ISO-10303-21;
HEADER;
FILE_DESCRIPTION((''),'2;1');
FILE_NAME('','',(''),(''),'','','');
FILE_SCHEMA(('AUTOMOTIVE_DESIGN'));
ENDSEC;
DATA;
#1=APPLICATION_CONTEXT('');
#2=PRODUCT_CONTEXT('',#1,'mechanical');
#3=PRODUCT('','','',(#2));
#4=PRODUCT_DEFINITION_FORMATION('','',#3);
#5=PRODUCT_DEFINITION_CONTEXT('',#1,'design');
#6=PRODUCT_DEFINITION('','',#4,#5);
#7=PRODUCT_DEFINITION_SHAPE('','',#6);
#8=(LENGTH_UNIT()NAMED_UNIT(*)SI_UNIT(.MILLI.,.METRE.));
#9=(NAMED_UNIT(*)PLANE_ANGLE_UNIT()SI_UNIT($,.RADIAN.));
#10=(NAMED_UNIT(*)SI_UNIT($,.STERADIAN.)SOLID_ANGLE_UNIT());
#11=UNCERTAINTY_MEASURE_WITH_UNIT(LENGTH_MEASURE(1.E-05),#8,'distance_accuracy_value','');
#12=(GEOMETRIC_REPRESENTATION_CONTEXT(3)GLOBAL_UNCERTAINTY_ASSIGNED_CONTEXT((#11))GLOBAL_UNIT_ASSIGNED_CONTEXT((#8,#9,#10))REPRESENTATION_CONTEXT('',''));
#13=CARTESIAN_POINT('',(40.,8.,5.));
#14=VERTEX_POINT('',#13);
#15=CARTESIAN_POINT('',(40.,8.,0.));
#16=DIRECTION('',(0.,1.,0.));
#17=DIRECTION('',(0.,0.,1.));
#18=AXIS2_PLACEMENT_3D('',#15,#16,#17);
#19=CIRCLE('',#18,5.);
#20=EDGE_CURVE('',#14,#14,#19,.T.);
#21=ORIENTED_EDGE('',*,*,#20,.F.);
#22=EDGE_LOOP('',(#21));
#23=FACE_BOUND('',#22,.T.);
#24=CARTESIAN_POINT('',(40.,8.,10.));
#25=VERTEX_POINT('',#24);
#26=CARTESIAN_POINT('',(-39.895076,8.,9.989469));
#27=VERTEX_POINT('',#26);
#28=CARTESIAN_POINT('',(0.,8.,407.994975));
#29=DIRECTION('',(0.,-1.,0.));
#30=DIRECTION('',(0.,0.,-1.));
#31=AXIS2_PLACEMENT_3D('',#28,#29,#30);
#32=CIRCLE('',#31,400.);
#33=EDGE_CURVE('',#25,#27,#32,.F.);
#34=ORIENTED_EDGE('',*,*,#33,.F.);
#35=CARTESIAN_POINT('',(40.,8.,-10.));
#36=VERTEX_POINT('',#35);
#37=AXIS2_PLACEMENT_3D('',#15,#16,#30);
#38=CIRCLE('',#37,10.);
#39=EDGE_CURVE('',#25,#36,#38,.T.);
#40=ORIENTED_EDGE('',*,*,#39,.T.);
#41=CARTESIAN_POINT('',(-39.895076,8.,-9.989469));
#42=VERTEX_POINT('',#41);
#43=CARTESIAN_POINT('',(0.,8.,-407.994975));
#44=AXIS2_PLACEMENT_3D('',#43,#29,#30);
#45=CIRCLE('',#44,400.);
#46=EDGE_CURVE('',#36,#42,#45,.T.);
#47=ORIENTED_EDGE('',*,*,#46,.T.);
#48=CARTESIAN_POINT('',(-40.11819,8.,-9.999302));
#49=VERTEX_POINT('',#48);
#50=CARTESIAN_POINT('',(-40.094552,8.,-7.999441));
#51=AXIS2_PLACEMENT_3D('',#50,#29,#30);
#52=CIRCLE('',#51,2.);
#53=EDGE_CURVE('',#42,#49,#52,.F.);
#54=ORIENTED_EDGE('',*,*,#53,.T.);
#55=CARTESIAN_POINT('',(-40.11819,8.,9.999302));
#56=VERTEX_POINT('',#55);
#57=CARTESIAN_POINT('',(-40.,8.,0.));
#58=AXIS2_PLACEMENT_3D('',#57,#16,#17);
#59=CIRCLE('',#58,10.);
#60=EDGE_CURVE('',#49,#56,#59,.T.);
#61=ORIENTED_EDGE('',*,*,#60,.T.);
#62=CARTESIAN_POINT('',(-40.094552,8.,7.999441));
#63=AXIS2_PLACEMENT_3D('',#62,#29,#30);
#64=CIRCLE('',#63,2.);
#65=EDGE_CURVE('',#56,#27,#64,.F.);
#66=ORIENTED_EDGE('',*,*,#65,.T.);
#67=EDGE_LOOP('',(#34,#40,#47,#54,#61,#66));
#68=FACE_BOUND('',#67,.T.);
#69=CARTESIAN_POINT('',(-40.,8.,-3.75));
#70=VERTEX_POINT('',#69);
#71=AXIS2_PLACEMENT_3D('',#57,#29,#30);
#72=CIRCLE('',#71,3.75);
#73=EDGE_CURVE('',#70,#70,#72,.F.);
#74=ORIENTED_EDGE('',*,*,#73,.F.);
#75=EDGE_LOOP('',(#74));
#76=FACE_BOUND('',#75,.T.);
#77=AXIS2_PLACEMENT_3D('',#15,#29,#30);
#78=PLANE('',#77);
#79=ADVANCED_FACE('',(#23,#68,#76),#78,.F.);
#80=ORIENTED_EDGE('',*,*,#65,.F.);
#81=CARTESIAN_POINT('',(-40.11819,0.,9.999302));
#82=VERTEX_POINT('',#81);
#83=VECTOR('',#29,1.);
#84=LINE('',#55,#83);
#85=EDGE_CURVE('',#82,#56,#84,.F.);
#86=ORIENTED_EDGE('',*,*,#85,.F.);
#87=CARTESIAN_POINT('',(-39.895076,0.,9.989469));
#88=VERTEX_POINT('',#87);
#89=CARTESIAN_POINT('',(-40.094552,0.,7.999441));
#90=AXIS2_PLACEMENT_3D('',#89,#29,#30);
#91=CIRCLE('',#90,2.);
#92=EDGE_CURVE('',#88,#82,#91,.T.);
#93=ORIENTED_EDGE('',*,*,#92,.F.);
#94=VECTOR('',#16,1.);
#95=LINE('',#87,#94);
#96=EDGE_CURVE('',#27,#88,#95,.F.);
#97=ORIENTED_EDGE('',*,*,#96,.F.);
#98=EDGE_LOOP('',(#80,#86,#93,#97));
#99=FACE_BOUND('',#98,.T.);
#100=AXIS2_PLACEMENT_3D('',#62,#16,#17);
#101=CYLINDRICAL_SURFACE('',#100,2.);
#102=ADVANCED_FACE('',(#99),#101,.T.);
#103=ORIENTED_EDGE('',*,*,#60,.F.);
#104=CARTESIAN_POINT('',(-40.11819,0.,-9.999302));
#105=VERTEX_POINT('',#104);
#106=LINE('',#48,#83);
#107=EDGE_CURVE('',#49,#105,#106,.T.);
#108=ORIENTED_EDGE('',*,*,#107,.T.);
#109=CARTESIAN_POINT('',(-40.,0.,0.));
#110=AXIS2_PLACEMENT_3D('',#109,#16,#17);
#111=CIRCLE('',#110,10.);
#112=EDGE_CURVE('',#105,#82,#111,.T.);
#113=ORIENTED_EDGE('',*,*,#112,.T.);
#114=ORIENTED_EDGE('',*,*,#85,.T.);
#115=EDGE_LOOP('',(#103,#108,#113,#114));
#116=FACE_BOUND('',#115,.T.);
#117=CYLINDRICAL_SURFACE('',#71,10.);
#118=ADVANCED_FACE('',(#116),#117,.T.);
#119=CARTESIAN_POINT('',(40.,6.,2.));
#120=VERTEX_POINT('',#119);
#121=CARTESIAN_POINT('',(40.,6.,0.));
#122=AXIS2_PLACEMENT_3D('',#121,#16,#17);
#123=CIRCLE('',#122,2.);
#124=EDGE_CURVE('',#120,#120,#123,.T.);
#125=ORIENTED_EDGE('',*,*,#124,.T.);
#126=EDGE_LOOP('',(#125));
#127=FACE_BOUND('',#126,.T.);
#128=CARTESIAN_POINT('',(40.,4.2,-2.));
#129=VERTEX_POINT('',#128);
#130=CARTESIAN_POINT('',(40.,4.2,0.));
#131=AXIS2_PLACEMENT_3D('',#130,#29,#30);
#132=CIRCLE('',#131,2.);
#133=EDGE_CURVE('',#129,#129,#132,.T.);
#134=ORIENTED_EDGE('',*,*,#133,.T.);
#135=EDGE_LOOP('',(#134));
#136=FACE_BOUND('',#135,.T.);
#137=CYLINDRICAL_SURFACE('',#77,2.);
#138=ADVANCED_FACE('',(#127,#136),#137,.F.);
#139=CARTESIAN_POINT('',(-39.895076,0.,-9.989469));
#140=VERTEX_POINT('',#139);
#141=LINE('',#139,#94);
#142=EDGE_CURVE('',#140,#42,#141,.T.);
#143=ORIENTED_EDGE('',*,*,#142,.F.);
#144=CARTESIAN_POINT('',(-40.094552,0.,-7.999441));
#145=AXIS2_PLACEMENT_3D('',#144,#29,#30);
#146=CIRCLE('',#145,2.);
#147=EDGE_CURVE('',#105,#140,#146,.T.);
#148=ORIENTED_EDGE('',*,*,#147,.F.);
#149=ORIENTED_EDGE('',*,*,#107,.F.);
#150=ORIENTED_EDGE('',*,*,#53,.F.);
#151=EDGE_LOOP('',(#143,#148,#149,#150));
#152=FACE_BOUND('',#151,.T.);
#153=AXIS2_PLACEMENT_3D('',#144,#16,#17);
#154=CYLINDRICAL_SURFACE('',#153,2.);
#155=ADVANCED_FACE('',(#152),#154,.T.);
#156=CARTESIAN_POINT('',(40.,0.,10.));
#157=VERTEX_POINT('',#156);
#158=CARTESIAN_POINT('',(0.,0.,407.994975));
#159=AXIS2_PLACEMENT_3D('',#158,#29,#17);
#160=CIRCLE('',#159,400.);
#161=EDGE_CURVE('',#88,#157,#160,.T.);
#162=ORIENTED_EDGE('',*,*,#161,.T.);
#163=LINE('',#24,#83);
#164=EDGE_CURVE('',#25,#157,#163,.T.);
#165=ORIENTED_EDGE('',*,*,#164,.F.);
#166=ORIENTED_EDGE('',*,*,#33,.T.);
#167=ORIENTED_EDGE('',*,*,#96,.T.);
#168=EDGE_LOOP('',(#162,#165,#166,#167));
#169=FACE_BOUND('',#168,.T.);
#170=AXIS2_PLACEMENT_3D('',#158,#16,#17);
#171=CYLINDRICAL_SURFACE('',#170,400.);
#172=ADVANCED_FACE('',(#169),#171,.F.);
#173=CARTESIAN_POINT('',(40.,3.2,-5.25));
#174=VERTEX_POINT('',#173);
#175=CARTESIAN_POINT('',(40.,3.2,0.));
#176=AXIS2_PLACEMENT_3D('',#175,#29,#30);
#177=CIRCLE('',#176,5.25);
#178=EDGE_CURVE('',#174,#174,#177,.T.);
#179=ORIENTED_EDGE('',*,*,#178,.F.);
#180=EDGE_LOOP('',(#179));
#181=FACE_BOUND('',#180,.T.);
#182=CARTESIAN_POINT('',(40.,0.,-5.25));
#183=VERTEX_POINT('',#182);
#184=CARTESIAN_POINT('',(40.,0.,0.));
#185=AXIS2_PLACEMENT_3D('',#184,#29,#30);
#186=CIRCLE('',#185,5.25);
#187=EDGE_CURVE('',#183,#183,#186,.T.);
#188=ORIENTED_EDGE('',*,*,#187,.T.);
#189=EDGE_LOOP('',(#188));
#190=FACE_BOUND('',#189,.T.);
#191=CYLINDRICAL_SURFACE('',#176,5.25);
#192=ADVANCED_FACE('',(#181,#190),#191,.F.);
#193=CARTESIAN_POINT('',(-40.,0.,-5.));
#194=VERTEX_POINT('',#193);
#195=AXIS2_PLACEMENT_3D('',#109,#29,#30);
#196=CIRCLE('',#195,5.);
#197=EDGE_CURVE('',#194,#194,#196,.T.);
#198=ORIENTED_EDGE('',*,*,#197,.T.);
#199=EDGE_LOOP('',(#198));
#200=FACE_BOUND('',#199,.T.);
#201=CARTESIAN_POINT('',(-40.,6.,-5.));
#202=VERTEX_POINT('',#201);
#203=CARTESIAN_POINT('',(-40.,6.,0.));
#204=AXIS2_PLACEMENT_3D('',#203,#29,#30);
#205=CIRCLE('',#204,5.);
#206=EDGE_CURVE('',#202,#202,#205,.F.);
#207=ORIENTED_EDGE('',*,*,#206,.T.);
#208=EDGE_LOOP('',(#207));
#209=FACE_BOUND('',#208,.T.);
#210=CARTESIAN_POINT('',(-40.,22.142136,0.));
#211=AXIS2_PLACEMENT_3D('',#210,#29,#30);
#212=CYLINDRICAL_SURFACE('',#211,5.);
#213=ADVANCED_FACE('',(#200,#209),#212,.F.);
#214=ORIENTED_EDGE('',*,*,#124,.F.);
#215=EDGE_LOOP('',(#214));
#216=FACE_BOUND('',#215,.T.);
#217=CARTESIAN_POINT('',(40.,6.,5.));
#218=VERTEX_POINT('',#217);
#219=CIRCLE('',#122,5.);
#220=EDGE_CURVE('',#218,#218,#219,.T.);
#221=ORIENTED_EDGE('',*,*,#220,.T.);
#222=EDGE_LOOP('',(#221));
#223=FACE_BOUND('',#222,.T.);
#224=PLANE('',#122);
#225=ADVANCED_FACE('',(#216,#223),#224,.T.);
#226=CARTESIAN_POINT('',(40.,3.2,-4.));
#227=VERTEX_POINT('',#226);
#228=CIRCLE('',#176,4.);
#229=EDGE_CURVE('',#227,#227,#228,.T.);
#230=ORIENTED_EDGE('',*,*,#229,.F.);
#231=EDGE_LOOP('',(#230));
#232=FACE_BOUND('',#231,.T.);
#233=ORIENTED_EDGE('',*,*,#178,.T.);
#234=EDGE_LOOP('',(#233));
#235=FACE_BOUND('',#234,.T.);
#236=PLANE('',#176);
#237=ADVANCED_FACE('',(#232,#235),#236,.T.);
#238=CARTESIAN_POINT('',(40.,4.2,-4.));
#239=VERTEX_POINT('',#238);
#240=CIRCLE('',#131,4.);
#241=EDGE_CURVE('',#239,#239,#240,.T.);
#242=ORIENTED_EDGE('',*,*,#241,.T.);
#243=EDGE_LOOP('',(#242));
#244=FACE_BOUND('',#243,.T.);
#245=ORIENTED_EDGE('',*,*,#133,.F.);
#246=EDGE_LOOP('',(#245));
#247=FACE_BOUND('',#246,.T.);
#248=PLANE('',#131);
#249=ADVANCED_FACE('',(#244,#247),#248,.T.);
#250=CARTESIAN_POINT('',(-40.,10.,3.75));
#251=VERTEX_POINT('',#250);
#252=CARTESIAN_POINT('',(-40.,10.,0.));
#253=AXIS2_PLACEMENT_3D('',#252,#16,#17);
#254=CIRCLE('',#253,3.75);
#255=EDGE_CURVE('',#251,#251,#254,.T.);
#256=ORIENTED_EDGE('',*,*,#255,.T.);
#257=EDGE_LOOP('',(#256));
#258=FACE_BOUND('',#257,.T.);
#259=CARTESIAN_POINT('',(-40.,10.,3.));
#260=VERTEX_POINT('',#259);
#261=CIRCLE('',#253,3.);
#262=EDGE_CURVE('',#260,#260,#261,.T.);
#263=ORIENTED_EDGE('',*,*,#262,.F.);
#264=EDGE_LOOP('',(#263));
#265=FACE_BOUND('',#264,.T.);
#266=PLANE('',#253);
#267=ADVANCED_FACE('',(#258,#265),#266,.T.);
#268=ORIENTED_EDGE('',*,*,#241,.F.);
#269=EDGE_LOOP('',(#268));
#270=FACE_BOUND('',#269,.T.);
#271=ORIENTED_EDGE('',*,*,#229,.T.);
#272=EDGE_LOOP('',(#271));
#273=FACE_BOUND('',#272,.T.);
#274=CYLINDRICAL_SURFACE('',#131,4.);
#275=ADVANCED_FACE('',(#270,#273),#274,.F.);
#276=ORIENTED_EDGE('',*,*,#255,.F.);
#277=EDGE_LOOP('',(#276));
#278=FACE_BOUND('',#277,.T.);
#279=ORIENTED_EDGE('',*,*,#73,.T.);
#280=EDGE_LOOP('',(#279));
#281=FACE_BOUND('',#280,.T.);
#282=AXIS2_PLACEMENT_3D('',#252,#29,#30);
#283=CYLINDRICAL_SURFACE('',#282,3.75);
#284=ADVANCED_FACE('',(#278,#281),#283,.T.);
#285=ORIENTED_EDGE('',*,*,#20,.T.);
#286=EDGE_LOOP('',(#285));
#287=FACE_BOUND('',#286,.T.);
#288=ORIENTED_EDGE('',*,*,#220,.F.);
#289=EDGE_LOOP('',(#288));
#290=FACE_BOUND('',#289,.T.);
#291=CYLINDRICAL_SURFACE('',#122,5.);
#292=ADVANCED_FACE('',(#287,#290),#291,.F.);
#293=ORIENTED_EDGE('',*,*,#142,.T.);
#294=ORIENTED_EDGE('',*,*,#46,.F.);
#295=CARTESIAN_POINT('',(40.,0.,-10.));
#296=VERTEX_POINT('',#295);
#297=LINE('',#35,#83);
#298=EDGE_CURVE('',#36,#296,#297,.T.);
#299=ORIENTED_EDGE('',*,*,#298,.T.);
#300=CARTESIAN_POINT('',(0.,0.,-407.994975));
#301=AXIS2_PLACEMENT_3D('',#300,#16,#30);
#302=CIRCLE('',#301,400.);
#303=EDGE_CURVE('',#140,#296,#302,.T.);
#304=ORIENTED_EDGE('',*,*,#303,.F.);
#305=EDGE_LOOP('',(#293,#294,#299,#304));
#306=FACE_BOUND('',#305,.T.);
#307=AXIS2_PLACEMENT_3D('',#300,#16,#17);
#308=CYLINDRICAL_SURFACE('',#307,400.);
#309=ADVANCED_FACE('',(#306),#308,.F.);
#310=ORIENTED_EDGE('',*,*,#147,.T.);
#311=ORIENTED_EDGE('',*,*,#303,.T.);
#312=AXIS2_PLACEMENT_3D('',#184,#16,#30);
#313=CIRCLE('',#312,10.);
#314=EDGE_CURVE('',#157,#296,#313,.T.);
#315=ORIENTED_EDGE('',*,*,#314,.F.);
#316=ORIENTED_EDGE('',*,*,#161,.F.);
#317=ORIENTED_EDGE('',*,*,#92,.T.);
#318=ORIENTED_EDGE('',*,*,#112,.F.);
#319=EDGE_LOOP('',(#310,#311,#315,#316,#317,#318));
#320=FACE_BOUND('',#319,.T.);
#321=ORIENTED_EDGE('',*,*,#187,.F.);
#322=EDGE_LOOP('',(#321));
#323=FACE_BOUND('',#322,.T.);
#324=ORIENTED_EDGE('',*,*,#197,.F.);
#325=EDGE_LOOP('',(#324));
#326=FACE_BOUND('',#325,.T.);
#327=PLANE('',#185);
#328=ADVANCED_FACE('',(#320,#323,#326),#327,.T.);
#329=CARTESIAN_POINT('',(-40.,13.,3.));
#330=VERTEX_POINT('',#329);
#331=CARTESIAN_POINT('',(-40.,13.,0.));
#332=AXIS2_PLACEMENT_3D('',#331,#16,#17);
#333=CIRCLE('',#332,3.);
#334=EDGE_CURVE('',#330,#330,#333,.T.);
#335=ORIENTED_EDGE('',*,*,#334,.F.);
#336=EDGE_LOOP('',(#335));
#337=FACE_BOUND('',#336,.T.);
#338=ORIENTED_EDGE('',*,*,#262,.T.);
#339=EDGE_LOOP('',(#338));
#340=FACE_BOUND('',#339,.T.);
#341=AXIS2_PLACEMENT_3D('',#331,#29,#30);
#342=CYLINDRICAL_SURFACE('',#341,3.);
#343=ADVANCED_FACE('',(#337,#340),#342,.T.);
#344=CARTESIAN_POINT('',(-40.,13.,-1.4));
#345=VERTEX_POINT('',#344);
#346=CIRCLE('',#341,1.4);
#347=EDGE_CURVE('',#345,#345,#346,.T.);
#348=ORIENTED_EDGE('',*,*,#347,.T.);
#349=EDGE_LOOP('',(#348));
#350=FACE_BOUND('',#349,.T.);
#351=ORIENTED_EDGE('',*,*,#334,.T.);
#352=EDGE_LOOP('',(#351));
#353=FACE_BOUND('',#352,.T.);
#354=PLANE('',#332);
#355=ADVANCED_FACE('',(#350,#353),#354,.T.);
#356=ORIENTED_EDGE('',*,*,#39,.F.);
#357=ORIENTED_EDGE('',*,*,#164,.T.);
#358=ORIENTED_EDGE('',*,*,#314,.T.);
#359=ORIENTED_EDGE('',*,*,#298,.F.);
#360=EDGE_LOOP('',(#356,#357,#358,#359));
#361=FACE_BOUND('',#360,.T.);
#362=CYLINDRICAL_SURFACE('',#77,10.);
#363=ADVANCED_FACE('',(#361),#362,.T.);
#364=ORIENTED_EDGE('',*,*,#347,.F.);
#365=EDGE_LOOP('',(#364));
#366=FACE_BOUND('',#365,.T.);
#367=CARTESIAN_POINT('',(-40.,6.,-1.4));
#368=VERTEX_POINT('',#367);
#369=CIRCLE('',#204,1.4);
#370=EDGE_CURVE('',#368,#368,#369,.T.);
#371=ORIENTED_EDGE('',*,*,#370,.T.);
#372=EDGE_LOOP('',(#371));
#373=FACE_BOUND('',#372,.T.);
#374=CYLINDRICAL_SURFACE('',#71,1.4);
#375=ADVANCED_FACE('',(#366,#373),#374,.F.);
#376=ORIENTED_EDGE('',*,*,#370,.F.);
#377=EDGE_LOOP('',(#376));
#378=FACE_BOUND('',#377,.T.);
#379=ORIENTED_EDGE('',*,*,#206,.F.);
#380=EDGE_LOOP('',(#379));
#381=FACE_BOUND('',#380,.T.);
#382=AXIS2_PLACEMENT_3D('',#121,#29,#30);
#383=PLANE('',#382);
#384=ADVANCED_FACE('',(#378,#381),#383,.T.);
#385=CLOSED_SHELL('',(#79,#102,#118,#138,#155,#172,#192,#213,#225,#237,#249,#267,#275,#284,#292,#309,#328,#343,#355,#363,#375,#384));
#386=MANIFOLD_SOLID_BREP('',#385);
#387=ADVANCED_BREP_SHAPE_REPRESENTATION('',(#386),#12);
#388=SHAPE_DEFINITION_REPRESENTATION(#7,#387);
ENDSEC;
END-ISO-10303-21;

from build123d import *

# Parameters (mm, degrees)
SKETCH1_R           = 1.4
SKETCH1_R_2         = 2
BOSS_EXTRUDE1_DEPTH = 8
SKETCH2_R           = 3.75
BOSS_EXTRUDE2_DEPTH = 2
SKETCH3_R           = 3
BOSS_EXTRUDE3_DEPTH = 3
SKETCH4_R           = 1.4
CUT_EXTRUDE1_DEPTH  = 53.621288468
SKETCH5_R           = 5
CUT_EXTRUDE2_DEPTH  = 6
SKETCH6_R           = 5.25
CUT_EXTRUDE3_DEPTH  = 3.2
SKETCH7_R           = 5
CUT_EXTRUDE4_DEPTH  = 2
SKETCH8_R           = 4
CUT_EXTRUDE5_DEPTH  = 1
CUT_EXTRUDE6_DEPTH  = 52.613951602
FILLET1_R           = 2


with BuildPart() as part:
    # Sketch1 → Boss-Extrude1 (new body)
    with BuildSketch(Plane(origin=(0, 0, 0), x_dir=(1, 0, 0), z_dir=(0, 1, 0))):
        with BuildLine():
            Line((-40, -10), (40, -10))
            ThreePointArc((40, -10), (50, 0), (40, 10))
            Line((40, 10), (-40, 10))
            ThreePointArc((-40, 10), (-50, 0), (-40, -10))
        make_face()
        with Locations(Location((-40, 0, 0), (0, 0, 270))):
            Circle(SKETCH1_R, mode=Mode.SUBTRACT)
        with Locations(Location((40, 0, 0), (0, 0, 270))):
            Circle(SKETCH1_R_2, mode=Mode.SUBTRACT)
    extrude(amount=BOSS_EXTRUDE1_DEPTH)

    # Sketch2 → Boss-Extrude2 (add)
    with BuildSketch(Plane(origin=(0, 8, 0), x_dir=(1, 0, 0), z_dir=(0, 1, 0))):
        with Locations(Location((-40, 0, 0), (0, 0, 90))):
            Circle(SKETCH2_R)
    extrude(amount=BOSS_EXTRUDE2_DEPTH)

    # Sketch3 → Boss-Extrude3 (add)
    with BuildSketch(Plane(origin=(0, 10, 0), x_dir=(1, 0, 0), z_dir=(0, 1, 0))):
        with Locations(Location((-40, 0, 0), (0, 0, 270))):
            Circle(SKETCH3_R)
    extrude(amount=BOSS_EXTRUDE3_DEPTH)

    # Sketch4 → Cut-Extrude1 (cut, through all)
    with BuildSketch(Plane.XZ):
        with Locations(Location((-40, 0, 0), (0, 0, 270))):
            Circle(SKETCH4_R)
    extrude(amount=-CUT_EXTRUDE1_DEPTH, mode=Mode.SUBTRACT)

    # Sketch5 → Cut-Extrude2 (cut)
    with BuildSketch(Plane.XZ):
        with Locations(Location((-40, 0, 0), (0, 0, 270))):
            Circle(SKETCH5_R)
    extrude(amount=-CUT_EXTRUDE2_DEPTH, mode=Mode.SUBTRACT)

    # Sketch6 → Cut-Extrude3 (cut)
    with BuildSketch(Plane.XZ):
        with Locations(Location((40, 0, 0), (0, 0, 270))):
            Circle(SKETCH6_R)
    extrude(amount=-CUT_EXTRUDE3_DEPTH, mode=Mode.SUBTRACT)

    # Sketch7 → Cut-Extrude4 (cut)
    with BuildSketch(Plane(origin=(0, 8, 0), x_dir=(1, 0, 0), z_dir=(0, 1, 0))):
        with Locations(Location((40, 0, 0), (0, 0, 270))):
            Circle(SKETCH7_R)
    extrude(amount=-CUT_EXTRUDE4_DEPTH, mode=Mode.SUBTRACT)

    # Sketch8 → Cut-Extrude5 (cut)
    with BuildSketch(Plane.XZ.offset(-3.2)):
        with Locations(Location((40, 0, 0), (0, 0, 270))):
            Circle(SKETCH8_R)
    extrude(amount=-CUT_EXTRUDE5_DEPTH, mode=Mode.SUBTRACT)

    # Sketch9 → Cut-Extrude6 (cut, symmetric)
    with BuildSketch(Plane(origin=(0, 8, 0), x_dir=(1, 0, 0), z_dir=(0, 1, 0))):
        with BuildLine():
            Line((-40, 10), (40, 10))
            ThreePointArc((40, 10), (0, 7.994974843), (-40, 10))
        make_face()
    cut_extrude6 = extrude(amount=CUT_EXTRUDE6_DEPTH, both=True, mode=Mode.SUBTRACT)

    # Mirror1: Cut-Extrude6 across plane
    add(cut_extrude6.mirror(Plane.XY), mode=Mode.SUBTRACT)

    # Fillet1
    fillet1_edges = [part.edges().sort_by_distance(p)[0] for p in [
        (-40, 4, 10),
        (-40, 4, -10),
    ]]
    fillet(fillet1_edges, radius=FILLET1_R)


solid = part.part
